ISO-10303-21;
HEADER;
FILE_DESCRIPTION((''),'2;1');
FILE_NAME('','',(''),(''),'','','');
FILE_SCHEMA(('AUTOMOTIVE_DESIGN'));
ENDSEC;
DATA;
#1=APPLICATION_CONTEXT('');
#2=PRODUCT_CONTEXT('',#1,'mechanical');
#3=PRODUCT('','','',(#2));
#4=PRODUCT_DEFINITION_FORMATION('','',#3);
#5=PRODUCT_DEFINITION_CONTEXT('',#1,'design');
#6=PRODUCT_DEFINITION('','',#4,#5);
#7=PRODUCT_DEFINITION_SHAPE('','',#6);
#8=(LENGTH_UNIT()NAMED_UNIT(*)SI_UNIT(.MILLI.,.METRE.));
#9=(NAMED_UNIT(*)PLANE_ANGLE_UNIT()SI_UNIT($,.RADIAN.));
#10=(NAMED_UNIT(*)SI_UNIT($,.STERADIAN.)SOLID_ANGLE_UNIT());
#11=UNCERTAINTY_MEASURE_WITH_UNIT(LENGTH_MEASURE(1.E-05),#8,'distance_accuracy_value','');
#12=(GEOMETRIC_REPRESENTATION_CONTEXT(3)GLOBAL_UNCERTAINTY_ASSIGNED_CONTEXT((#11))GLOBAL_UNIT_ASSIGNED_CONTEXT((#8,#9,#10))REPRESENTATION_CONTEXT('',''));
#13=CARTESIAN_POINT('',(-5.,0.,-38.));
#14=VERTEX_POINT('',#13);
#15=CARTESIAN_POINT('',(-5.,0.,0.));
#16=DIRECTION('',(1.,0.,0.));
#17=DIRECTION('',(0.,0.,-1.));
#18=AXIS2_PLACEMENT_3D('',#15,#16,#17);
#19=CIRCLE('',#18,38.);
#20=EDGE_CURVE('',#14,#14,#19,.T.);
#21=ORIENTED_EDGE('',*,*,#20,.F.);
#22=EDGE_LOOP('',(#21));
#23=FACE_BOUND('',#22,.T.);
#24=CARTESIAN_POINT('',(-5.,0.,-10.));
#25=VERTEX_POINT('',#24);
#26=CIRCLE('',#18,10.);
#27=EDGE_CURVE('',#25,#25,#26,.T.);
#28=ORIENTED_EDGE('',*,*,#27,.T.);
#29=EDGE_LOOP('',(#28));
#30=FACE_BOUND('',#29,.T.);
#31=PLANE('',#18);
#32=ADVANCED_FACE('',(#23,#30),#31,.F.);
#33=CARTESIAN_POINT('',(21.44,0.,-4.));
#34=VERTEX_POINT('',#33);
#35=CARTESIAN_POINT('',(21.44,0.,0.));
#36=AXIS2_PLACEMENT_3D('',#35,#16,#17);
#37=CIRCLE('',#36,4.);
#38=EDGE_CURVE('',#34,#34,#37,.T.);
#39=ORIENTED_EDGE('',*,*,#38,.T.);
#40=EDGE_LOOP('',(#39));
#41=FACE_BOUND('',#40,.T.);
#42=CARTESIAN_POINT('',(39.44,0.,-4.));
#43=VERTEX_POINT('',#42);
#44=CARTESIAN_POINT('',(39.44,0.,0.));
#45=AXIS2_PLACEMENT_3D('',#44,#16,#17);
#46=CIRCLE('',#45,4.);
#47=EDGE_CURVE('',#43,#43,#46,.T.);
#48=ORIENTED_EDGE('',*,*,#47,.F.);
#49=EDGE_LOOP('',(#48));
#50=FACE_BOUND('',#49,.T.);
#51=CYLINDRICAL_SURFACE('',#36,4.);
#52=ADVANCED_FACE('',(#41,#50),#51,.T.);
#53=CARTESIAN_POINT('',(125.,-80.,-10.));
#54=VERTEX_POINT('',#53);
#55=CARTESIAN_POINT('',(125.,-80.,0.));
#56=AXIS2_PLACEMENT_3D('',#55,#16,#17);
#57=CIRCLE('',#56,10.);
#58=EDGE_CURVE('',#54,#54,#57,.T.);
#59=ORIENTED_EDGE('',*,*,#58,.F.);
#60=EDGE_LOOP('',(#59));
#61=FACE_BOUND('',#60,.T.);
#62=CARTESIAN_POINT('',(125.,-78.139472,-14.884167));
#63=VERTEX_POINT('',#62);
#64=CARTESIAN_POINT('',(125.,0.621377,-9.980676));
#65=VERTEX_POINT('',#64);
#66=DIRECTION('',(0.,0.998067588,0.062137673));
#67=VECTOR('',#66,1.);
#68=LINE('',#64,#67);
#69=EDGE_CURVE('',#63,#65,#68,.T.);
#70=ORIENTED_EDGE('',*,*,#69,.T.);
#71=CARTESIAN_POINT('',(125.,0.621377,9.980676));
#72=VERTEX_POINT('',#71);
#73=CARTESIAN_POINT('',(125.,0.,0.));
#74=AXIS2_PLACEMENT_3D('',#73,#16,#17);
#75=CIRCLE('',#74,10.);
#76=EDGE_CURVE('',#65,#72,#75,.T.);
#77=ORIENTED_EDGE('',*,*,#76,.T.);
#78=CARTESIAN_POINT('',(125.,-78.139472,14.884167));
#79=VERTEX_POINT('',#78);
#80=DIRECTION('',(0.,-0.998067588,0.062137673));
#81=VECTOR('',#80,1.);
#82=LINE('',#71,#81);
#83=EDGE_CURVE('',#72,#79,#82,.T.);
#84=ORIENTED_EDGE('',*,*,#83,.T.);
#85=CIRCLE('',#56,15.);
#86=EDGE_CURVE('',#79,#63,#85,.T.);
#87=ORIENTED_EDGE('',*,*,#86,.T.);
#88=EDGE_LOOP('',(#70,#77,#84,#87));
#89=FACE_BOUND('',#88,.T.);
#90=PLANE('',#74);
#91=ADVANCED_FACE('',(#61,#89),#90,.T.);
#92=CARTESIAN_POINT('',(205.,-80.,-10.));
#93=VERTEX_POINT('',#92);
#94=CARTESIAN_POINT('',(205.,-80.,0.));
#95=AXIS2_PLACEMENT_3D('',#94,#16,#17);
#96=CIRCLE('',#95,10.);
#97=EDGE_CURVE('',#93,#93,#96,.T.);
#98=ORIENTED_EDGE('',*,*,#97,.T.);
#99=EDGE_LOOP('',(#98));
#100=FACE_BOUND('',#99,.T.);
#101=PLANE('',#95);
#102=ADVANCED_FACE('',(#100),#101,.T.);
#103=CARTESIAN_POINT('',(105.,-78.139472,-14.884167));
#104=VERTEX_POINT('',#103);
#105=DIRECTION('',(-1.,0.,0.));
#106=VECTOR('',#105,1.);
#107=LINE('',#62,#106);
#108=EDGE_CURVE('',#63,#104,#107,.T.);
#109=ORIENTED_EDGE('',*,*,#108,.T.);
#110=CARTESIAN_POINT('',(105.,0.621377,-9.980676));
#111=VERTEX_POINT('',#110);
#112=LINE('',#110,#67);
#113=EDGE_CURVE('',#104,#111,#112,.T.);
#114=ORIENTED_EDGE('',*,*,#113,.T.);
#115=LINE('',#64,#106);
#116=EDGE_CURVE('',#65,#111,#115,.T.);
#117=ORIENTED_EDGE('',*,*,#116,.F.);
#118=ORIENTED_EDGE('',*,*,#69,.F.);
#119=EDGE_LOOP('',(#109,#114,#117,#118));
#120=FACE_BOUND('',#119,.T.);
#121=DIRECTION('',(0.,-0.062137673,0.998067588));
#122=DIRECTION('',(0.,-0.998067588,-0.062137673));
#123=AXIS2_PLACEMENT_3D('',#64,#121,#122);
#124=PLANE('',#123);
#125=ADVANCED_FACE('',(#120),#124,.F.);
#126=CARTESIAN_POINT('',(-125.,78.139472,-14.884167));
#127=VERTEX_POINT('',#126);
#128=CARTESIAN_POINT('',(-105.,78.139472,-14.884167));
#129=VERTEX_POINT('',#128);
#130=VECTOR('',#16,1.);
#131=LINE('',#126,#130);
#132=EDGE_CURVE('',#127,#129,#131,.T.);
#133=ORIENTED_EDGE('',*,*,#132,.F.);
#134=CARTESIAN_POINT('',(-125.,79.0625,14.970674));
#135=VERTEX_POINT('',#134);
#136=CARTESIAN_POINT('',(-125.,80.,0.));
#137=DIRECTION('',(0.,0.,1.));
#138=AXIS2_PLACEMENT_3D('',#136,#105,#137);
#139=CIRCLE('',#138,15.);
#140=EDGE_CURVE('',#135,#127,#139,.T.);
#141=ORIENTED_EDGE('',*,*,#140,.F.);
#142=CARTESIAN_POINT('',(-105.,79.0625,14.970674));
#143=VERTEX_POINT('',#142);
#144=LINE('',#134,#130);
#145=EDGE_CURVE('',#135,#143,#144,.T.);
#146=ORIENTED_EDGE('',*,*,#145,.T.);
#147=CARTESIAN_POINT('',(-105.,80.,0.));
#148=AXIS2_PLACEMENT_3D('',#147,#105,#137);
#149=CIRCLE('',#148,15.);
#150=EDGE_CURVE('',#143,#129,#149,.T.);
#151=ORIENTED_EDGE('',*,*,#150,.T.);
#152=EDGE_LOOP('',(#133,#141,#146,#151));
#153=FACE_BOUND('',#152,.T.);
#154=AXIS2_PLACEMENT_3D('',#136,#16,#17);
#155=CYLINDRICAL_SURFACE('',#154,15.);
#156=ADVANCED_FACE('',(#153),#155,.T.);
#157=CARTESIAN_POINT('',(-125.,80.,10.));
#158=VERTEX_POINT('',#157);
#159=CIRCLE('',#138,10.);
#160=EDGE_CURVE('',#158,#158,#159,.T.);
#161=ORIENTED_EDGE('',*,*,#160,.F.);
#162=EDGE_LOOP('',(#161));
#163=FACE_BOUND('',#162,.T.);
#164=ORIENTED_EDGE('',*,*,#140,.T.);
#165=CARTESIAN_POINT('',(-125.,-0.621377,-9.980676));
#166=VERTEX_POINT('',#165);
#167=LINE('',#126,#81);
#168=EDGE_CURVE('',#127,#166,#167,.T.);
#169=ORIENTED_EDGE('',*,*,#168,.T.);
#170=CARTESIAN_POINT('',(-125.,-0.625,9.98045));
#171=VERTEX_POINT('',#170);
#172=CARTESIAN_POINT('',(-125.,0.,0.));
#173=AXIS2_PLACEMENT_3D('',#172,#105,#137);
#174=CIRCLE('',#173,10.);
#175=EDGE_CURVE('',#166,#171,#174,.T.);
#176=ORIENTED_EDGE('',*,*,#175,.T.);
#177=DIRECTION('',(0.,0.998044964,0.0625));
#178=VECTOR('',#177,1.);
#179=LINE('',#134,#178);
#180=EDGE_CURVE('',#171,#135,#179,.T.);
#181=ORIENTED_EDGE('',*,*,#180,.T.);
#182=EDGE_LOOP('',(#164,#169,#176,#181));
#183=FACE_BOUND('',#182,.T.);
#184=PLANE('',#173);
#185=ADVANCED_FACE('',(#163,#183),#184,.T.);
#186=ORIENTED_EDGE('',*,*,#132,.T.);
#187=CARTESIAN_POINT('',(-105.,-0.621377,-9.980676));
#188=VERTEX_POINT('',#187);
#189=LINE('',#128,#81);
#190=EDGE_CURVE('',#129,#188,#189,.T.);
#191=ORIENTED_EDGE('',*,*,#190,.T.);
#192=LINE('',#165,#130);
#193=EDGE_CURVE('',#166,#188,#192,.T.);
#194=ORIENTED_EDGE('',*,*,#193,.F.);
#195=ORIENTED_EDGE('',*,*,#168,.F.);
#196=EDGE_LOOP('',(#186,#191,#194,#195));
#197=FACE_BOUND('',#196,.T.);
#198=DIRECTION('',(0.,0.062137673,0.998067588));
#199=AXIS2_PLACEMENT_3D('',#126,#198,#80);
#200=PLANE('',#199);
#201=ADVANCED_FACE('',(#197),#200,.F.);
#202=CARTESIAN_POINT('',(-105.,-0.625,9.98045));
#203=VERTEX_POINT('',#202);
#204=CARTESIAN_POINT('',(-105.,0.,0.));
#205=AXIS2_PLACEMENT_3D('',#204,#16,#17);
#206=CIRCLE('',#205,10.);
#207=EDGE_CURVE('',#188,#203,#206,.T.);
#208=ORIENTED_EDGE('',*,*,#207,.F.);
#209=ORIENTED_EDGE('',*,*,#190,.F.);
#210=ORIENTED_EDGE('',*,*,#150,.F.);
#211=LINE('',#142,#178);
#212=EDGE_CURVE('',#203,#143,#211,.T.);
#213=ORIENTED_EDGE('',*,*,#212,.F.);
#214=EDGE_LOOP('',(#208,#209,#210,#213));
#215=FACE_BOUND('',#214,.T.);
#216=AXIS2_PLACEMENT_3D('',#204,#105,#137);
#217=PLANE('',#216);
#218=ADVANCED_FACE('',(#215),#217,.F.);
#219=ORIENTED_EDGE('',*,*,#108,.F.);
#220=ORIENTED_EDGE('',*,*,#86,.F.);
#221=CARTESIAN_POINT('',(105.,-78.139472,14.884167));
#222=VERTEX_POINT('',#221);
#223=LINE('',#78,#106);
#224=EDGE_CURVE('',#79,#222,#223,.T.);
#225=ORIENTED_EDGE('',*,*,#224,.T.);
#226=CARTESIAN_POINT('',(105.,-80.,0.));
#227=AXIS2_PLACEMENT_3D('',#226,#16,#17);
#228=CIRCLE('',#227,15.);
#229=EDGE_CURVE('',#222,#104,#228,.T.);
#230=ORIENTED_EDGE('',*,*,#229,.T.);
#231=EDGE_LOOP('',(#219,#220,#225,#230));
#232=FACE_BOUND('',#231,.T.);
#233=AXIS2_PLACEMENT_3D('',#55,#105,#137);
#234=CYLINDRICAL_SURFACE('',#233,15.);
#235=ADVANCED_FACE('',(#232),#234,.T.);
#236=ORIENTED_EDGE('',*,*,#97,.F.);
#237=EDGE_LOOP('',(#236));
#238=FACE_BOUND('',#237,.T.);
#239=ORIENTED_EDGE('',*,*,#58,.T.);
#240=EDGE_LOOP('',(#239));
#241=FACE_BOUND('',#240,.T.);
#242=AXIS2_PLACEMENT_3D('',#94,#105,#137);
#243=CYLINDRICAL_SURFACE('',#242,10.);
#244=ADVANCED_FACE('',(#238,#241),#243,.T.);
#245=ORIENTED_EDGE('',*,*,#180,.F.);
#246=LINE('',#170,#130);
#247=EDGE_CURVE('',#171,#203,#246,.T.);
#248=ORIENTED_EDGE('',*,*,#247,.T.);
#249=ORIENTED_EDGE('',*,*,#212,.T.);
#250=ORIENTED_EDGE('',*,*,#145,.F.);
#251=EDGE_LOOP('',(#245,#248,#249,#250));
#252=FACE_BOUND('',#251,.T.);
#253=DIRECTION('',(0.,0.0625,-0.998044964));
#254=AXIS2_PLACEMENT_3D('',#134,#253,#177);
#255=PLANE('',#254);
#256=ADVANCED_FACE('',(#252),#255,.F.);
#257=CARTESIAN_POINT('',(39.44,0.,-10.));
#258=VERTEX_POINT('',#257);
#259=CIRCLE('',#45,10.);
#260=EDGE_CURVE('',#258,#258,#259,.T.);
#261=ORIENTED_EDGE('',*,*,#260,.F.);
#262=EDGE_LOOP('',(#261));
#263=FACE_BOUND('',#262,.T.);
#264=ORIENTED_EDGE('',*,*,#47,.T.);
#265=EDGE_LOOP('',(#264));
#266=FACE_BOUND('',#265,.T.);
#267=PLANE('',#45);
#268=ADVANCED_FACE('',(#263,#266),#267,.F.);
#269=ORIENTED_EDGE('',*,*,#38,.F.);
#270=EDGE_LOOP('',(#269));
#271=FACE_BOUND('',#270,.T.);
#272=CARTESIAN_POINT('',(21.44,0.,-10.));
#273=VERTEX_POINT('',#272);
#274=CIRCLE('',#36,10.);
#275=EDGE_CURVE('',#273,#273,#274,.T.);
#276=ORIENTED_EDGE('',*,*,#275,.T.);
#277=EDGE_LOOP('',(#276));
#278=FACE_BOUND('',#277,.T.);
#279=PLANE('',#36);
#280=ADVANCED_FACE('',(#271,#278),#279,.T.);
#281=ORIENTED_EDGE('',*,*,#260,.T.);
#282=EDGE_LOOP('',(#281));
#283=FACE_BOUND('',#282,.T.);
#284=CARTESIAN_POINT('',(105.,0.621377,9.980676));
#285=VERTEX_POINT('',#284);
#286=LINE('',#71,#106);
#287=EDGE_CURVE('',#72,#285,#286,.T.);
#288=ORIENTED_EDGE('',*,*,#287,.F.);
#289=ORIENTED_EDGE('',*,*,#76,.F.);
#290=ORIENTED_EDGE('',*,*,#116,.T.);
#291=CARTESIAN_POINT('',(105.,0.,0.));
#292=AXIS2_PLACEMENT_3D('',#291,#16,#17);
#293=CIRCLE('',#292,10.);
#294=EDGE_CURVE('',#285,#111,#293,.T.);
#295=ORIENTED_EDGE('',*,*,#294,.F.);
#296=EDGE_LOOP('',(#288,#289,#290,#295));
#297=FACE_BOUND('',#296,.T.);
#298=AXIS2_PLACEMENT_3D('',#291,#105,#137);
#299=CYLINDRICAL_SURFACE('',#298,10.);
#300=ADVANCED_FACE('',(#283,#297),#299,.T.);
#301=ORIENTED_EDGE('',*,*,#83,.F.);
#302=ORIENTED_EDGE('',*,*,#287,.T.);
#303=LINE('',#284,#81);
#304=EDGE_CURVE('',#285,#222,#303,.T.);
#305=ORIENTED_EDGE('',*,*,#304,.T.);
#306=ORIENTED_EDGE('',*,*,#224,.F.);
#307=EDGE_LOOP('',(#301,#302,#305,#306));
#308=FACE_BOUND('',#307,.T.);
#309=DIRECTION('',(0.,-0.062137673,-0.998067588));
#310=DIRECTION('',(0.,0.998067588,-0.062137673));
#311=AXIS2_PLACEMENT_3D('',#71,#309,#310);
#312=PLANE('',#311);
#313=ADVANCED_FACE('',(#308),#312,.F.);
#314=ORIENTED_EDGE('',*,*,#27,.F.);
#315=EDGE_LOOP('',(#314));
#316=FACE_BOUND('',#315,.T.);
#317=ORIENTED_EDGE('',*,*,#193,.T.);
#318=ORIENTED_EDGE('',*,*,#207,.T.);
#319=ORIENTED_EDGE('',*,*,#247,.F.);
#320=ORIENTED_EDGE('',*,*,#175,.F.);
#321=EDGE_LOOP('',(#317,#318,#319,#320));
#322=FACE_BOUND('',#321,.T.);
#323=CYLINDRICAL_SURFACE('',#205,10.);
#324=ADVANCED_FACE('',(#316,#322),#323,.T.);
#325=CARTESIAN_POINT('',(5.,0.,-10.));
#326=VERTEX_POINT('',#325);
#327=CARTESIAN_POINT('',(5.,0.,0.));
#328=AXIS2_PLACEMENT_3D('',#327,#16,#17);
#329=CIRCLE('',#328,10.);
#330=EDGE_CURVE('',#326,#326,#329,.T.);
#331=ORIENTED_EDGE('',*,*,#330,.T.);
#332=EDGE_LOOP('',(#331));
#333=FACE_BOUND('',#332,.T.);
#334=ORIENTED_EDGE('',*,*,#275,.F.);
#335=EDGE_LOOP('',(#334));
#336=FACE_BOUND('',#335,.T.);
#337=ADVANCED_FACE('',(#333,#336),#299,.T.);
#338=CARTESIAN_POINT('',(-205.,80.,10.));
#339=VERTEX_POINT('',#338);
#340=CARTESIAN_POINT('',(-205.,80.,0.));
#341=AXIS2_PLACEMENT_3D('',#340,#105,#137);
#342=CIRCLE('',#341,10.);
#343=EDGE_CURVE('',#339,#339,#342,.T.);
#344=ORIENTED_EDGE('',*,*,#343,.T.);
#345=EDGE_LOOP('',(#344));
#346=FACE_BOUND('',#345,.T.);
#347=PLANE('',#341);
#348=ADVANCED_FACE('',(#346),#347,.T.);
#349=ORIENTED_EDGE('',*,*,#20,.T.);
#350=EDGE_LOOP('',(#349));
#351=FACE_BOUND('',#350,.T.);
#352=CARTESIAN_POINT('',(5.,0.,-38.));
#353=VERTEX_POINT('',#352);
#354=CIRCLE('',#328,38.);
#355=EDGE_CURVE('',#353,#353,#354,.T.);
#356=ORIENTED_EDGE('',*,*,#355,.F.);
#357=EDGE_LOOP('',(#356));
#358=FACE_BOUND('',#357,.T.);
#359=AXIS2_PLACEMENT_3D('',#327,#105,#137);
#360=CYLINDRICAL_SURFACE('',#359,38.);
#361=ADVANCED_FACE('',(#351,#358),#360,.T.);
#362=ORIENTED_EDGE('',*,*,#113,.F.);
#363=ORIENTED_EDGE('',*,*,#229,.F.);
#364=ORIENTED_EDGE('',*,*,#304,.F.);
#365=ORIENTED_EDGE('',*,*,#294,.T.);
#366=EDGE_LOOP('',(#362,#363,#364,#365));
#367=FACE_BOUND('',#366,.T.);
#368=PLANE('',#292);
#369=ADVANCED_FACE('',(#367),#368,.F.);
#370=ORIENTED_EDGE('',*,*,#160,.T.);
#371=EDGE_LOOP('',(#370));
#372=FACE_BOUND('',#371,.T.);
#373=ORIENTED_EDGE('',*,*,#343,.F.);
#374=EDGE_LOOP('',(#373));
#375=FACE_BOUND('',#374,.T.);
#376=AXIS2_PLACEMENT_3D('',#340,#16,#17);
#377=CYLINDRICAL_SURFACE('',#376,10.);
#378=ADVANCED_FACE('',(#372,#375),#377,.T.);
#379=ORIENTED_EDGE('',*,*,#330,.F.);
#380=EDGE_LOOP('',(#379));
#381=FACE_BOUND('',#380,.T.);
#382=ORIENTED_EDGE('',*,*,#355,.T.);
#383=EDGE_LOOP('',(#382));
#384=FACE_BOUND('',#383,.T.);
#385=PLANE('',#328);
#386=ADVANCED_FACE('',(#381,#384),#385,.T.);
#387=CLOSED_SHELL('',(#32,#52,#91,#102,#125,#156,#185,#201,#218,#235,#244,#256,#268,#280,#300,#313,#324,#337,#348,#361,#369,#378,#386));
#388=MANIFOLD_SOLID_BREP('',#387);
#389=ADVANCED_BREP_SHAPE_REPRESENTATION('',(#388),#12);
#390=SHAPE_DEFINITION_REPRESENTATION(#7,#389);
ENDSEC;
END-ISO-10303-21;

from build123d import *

# Parameters (mm, degrees)
CROQUIS1_R              = 38
SALIENTE_EXTRUIR2_DEPTH = 5
CROQUIS2_R              = 10
SALIENTE_EXTRUIR3_DEPTH = 100
SALIENTE_EXTRUIR4_DEPTH = 20
CROQUIS4_R              = 10
SALIENTE_EXTRUIR5_DEPTH = 80
SALIENTE_EXTRUIR6_DEPTH = 20
CROQUIS6_R              = 10
SALIENTE_EXTRUIR7_DEPTH = 80
CROQUIS7_R              = 10
CROQUIS7_R_2            = 4
CORTAR_EXTRUIR1_DEPTH   = 18


with BuildPart() as part:
    # Croquis1 → Saliente-Extruir2 (new, symmetric)
    with BuildSketch(Plane(origin=(0, 0, 0), x_dir=(0, 0, -1), z_dir=(1, 0, 0))):
        Circle(CROQUIS1_R)
    extrude(amount=SALIENTE_EXTRUIR2_DEPTH, both=True)

    # Croquis2 → Saliente-Extruir3 (add)
    with BuildSketch(Plane(origin=(5, 0, 0), x_dir=(0, 0, -1), z_dir=(1, 0, 0))):
        Circle(CROQUIS2_R)
    saliente_extruir3 = extrude(amount=SALIENTE_EXTRUIR3_DEPTH)

    # Croquis3 → Saliente-Extruir4 (add)
    with BuildSketch(Plane(origin=(105, 0, 0), x_dir=(0, 0, -1), z_dir=(1, 0, 0))):
        with BuildLine():
            Line((-9.980675877, 0.621376727), (-14.884167289, -78.139472087))
            ThreePointArc((-14.884167289, -78.139472087), (0, -95), (14.884167289, -78.139472087))
            Line((14.884167289, -78.139472087), (9.980675877, 0.621376727))
            ThreePointArc((9.980675877, 0.621376727), (0, 10), (-9.980675877, 0.621376727))
        make_face()
    extrude(amount=SALIENTE_EXTRUIR4_DEPTH)

    # Croquis4 → Saliente-Extruir5 (add)
    with BuildSketch(Plane(origin=(125, 0, 0), x_dir=(0, 0, -1), z_dir=(1, 0, 0))):
        with Locations((0, -80)):
            Circle(CROQUIS4_R)
    extrude(amount=SALIENTE_EXTRUIR5_DEPTH)

    # Simetría1: Saliente-Extruir3 across plane
    add(saliente_extruir3.mirror(Plane(origin=(0, 0, 0), x_dir=(0, 0, 1), z_dir=(1, 0, 0))))

    # Croquis5 → Saliente-Extruir6 (add)
    with BuildSketch(Plane.ZY.offset(105)):
        with BuildLine():
            Line((-14.884167289, 78.139472087), (-9.980675877, -0.621376727))
            ThreePointArc((-9.980675877, -0.621376727), (-0.001815165, -9.999999835), (9.980449639, -0.625))
            Line((9.980449639, -0.625), (14.970674459, 79.0625))
            ThreePointArc((14.970674459, 79.0625), (-0.463536411, 94.992836089), (-14.884167289, 78.139472087))
        make_face()
    extrude(amount=SALIENTE_EXTRUIR6_DEPTH)

    # Croquis6 → Saliente-Extruir7 (add)
    with BuildSketch(Plane.ZY.offset(125)):
        with Locations((0, 80)):
            Circle(CROQUIS6_R)
    extrude(amount=SALIENTE_EXTRUIR7_DEPTH)

    # Croquis7 → Cortar-Extruir1 (cut)
    with BuildSketch(Plane(origin=(39.44, 0, 0), x_dir=(0, 0, -1), z_dir=(1, 0, 0))):
        Circle(CROQUIS7_R)
        Circle(CROQUIS7_R_2, mode=Mode.SUBTRACT)
    extrude(amount=-CORTAR_EXTRUIR1_DEPTH, mode=Mode.SUBTRACT)


solid = part.part
